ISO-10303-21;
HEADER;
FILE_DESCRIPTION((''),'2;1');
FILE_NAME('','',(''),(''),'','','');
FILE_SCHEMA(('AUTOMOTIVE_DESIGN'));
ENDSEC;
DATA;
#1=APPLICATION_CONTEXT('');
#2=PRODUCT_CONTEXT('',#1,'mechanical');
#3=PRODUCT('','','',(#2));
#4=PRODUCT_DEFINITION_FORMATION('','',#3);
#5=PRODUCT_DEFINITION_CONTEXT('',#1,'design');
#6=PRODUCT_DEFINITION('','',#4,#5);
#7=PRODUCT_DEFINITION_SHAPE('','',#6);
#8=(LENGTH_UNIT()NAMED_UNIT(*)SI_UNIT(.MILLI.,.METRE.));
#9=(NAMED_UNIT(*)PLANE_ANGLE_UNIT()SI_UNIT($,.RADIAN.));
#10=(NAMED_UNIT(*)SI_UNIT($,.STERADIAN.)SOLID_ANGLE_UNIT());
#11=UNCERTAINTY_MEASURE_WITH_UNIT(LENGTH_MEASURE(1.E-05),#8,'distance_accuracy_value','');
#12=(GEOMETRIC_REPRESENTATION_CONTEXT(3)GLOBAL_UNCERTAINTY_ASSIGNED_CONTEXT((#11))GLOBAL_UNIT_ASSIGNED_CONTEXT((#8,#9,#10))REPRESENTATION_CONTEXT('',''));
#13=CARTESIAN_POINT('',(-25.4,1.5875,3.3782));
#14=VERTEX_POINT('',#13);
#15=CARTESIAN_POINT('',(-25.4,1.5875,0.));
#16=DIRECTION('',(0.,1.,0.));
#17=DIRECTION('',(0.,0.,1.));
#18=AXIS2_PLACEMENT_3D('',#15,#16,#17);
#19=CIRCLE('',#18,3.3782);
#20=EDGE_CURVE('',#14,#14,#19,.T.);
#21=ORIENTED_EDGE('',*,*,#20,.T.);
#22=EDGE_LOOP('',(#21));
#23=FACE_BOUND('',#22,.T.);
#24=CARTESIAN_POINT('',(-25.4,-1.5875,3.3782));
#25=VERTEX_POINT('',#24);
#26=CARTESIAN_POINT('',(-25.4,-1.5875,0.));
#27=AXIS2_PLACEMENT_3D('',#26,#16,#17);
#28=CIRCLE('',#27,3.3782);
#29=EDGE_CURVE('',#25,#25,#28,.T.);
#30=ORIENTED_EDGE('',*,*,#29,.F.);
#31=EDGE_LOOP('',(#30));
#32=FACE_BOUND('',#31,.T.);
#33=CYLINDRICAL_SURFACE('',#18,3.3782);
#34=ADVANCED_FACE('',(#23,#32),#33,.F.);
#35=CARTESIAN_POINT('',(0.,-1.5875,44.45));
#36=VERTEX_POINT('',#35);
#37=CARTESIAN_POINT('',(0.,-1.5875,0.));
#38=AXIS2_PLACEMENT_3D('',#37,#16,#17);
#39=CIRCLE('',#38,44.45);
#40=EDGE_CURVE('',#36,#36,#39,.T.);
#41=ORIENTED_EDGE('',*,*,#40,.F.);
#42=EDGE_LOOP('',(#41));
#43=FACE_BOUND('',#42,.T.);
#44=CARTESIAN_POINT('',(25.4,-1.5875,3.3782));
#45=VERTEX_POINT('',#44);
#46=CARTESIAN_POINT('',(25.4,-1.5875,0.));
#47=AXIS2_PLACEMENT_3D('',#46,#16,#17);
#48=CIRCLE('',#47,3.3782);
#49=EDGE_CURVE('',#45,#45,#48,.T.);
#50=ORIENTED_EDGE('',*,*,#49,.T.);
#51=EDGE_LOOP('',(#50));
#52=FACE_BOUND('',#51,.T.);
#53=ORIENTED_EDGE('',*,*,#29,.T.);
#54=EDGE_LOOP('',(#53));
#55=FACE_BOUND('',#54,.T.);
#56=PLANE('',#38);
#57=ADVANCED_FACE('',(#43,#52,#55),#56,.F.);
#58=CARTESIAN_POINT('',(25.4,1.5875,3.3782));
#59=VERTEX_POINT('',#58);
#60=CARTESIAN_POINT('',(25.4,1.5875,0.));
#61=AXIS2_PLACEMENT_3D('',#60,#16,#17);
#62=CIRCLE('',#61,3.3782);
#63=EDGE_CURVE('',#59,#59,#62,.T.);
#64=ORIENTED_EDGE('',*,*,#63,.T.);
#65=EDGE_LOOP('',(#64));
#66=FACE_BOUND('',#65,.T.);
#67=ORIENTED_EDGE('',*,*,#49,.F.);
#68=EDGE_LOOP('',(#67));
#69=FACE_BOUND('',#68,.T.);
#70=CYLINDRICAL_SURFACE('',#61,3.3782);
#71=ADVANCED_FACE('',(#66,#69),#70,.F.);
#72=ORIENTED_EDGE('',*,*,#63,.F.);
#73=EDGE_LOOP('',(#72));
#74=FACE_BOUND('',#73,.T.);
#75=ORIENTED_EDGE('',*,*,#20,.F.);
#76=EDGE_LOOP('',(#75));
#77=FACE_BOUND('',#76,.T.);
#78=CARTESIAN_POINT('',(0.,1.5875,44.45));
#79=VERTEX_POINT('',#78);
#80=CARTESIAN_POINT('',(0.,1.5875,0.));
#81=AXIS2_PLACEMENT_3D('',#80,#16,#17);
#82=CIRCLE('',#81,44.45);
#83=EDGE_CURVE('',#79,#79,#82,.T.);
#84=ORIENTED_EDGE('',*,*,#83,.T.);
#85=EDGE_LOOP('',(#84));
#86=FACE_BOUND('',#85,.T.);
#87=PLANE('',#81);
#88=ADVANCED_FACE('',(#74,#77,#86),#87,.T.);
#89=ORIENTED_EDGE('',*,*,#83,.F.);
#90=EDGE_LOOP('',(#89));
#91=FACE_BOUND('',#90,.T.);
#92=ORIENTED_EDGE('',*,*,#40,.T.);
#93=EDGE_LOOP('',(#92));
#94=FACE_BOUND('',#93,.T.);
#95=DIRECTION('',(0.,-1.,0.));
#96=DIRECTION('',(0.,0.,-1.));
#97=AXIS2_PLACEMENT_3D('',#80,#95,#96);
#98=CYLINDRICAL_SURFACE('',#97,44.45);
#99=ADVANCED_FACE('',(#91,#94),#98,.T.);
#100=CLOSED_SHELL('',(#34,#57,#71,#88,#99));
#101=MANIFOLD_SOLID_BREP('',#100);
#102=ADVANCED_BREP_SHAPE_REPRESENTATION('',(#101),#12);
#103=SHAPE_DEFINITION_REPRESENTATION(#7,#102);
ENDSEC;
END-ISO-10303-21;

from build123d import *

# Parameters (mm, degrees)
SKETCH1_R               = 44.45
BOSS_EXTRUDE1_DEPTH     = 1.5875
F_1_4_CLEARANCE_HOLE1_D = 6.7564


with BuildPart() as part:
    # Sketch1 → Boss-Extrude1 (new body, symmetric)
    with BuildSketch(Plane(origin=(0, 0, 0), x_dir=(1, 0, 0), z_dir=(0, 1, 0))):
        Circle(SKETCH1_R)
    extrude(amount=BOSS_EXTRUDE1_DEPTH, both=True)

    # 1/4 Clearance Hole1 (through all)
    with Locations(Plane(origin=(0, 1.5875, 0), x_dir=(1, 0, 0), z_dir=(0, 1, 0))):
        with Locations((25.4, 0), (-25.4, 0)):
            Hole(F_1_4_CLEARANCE_HOLE1_D / 2)


solid = part.part
